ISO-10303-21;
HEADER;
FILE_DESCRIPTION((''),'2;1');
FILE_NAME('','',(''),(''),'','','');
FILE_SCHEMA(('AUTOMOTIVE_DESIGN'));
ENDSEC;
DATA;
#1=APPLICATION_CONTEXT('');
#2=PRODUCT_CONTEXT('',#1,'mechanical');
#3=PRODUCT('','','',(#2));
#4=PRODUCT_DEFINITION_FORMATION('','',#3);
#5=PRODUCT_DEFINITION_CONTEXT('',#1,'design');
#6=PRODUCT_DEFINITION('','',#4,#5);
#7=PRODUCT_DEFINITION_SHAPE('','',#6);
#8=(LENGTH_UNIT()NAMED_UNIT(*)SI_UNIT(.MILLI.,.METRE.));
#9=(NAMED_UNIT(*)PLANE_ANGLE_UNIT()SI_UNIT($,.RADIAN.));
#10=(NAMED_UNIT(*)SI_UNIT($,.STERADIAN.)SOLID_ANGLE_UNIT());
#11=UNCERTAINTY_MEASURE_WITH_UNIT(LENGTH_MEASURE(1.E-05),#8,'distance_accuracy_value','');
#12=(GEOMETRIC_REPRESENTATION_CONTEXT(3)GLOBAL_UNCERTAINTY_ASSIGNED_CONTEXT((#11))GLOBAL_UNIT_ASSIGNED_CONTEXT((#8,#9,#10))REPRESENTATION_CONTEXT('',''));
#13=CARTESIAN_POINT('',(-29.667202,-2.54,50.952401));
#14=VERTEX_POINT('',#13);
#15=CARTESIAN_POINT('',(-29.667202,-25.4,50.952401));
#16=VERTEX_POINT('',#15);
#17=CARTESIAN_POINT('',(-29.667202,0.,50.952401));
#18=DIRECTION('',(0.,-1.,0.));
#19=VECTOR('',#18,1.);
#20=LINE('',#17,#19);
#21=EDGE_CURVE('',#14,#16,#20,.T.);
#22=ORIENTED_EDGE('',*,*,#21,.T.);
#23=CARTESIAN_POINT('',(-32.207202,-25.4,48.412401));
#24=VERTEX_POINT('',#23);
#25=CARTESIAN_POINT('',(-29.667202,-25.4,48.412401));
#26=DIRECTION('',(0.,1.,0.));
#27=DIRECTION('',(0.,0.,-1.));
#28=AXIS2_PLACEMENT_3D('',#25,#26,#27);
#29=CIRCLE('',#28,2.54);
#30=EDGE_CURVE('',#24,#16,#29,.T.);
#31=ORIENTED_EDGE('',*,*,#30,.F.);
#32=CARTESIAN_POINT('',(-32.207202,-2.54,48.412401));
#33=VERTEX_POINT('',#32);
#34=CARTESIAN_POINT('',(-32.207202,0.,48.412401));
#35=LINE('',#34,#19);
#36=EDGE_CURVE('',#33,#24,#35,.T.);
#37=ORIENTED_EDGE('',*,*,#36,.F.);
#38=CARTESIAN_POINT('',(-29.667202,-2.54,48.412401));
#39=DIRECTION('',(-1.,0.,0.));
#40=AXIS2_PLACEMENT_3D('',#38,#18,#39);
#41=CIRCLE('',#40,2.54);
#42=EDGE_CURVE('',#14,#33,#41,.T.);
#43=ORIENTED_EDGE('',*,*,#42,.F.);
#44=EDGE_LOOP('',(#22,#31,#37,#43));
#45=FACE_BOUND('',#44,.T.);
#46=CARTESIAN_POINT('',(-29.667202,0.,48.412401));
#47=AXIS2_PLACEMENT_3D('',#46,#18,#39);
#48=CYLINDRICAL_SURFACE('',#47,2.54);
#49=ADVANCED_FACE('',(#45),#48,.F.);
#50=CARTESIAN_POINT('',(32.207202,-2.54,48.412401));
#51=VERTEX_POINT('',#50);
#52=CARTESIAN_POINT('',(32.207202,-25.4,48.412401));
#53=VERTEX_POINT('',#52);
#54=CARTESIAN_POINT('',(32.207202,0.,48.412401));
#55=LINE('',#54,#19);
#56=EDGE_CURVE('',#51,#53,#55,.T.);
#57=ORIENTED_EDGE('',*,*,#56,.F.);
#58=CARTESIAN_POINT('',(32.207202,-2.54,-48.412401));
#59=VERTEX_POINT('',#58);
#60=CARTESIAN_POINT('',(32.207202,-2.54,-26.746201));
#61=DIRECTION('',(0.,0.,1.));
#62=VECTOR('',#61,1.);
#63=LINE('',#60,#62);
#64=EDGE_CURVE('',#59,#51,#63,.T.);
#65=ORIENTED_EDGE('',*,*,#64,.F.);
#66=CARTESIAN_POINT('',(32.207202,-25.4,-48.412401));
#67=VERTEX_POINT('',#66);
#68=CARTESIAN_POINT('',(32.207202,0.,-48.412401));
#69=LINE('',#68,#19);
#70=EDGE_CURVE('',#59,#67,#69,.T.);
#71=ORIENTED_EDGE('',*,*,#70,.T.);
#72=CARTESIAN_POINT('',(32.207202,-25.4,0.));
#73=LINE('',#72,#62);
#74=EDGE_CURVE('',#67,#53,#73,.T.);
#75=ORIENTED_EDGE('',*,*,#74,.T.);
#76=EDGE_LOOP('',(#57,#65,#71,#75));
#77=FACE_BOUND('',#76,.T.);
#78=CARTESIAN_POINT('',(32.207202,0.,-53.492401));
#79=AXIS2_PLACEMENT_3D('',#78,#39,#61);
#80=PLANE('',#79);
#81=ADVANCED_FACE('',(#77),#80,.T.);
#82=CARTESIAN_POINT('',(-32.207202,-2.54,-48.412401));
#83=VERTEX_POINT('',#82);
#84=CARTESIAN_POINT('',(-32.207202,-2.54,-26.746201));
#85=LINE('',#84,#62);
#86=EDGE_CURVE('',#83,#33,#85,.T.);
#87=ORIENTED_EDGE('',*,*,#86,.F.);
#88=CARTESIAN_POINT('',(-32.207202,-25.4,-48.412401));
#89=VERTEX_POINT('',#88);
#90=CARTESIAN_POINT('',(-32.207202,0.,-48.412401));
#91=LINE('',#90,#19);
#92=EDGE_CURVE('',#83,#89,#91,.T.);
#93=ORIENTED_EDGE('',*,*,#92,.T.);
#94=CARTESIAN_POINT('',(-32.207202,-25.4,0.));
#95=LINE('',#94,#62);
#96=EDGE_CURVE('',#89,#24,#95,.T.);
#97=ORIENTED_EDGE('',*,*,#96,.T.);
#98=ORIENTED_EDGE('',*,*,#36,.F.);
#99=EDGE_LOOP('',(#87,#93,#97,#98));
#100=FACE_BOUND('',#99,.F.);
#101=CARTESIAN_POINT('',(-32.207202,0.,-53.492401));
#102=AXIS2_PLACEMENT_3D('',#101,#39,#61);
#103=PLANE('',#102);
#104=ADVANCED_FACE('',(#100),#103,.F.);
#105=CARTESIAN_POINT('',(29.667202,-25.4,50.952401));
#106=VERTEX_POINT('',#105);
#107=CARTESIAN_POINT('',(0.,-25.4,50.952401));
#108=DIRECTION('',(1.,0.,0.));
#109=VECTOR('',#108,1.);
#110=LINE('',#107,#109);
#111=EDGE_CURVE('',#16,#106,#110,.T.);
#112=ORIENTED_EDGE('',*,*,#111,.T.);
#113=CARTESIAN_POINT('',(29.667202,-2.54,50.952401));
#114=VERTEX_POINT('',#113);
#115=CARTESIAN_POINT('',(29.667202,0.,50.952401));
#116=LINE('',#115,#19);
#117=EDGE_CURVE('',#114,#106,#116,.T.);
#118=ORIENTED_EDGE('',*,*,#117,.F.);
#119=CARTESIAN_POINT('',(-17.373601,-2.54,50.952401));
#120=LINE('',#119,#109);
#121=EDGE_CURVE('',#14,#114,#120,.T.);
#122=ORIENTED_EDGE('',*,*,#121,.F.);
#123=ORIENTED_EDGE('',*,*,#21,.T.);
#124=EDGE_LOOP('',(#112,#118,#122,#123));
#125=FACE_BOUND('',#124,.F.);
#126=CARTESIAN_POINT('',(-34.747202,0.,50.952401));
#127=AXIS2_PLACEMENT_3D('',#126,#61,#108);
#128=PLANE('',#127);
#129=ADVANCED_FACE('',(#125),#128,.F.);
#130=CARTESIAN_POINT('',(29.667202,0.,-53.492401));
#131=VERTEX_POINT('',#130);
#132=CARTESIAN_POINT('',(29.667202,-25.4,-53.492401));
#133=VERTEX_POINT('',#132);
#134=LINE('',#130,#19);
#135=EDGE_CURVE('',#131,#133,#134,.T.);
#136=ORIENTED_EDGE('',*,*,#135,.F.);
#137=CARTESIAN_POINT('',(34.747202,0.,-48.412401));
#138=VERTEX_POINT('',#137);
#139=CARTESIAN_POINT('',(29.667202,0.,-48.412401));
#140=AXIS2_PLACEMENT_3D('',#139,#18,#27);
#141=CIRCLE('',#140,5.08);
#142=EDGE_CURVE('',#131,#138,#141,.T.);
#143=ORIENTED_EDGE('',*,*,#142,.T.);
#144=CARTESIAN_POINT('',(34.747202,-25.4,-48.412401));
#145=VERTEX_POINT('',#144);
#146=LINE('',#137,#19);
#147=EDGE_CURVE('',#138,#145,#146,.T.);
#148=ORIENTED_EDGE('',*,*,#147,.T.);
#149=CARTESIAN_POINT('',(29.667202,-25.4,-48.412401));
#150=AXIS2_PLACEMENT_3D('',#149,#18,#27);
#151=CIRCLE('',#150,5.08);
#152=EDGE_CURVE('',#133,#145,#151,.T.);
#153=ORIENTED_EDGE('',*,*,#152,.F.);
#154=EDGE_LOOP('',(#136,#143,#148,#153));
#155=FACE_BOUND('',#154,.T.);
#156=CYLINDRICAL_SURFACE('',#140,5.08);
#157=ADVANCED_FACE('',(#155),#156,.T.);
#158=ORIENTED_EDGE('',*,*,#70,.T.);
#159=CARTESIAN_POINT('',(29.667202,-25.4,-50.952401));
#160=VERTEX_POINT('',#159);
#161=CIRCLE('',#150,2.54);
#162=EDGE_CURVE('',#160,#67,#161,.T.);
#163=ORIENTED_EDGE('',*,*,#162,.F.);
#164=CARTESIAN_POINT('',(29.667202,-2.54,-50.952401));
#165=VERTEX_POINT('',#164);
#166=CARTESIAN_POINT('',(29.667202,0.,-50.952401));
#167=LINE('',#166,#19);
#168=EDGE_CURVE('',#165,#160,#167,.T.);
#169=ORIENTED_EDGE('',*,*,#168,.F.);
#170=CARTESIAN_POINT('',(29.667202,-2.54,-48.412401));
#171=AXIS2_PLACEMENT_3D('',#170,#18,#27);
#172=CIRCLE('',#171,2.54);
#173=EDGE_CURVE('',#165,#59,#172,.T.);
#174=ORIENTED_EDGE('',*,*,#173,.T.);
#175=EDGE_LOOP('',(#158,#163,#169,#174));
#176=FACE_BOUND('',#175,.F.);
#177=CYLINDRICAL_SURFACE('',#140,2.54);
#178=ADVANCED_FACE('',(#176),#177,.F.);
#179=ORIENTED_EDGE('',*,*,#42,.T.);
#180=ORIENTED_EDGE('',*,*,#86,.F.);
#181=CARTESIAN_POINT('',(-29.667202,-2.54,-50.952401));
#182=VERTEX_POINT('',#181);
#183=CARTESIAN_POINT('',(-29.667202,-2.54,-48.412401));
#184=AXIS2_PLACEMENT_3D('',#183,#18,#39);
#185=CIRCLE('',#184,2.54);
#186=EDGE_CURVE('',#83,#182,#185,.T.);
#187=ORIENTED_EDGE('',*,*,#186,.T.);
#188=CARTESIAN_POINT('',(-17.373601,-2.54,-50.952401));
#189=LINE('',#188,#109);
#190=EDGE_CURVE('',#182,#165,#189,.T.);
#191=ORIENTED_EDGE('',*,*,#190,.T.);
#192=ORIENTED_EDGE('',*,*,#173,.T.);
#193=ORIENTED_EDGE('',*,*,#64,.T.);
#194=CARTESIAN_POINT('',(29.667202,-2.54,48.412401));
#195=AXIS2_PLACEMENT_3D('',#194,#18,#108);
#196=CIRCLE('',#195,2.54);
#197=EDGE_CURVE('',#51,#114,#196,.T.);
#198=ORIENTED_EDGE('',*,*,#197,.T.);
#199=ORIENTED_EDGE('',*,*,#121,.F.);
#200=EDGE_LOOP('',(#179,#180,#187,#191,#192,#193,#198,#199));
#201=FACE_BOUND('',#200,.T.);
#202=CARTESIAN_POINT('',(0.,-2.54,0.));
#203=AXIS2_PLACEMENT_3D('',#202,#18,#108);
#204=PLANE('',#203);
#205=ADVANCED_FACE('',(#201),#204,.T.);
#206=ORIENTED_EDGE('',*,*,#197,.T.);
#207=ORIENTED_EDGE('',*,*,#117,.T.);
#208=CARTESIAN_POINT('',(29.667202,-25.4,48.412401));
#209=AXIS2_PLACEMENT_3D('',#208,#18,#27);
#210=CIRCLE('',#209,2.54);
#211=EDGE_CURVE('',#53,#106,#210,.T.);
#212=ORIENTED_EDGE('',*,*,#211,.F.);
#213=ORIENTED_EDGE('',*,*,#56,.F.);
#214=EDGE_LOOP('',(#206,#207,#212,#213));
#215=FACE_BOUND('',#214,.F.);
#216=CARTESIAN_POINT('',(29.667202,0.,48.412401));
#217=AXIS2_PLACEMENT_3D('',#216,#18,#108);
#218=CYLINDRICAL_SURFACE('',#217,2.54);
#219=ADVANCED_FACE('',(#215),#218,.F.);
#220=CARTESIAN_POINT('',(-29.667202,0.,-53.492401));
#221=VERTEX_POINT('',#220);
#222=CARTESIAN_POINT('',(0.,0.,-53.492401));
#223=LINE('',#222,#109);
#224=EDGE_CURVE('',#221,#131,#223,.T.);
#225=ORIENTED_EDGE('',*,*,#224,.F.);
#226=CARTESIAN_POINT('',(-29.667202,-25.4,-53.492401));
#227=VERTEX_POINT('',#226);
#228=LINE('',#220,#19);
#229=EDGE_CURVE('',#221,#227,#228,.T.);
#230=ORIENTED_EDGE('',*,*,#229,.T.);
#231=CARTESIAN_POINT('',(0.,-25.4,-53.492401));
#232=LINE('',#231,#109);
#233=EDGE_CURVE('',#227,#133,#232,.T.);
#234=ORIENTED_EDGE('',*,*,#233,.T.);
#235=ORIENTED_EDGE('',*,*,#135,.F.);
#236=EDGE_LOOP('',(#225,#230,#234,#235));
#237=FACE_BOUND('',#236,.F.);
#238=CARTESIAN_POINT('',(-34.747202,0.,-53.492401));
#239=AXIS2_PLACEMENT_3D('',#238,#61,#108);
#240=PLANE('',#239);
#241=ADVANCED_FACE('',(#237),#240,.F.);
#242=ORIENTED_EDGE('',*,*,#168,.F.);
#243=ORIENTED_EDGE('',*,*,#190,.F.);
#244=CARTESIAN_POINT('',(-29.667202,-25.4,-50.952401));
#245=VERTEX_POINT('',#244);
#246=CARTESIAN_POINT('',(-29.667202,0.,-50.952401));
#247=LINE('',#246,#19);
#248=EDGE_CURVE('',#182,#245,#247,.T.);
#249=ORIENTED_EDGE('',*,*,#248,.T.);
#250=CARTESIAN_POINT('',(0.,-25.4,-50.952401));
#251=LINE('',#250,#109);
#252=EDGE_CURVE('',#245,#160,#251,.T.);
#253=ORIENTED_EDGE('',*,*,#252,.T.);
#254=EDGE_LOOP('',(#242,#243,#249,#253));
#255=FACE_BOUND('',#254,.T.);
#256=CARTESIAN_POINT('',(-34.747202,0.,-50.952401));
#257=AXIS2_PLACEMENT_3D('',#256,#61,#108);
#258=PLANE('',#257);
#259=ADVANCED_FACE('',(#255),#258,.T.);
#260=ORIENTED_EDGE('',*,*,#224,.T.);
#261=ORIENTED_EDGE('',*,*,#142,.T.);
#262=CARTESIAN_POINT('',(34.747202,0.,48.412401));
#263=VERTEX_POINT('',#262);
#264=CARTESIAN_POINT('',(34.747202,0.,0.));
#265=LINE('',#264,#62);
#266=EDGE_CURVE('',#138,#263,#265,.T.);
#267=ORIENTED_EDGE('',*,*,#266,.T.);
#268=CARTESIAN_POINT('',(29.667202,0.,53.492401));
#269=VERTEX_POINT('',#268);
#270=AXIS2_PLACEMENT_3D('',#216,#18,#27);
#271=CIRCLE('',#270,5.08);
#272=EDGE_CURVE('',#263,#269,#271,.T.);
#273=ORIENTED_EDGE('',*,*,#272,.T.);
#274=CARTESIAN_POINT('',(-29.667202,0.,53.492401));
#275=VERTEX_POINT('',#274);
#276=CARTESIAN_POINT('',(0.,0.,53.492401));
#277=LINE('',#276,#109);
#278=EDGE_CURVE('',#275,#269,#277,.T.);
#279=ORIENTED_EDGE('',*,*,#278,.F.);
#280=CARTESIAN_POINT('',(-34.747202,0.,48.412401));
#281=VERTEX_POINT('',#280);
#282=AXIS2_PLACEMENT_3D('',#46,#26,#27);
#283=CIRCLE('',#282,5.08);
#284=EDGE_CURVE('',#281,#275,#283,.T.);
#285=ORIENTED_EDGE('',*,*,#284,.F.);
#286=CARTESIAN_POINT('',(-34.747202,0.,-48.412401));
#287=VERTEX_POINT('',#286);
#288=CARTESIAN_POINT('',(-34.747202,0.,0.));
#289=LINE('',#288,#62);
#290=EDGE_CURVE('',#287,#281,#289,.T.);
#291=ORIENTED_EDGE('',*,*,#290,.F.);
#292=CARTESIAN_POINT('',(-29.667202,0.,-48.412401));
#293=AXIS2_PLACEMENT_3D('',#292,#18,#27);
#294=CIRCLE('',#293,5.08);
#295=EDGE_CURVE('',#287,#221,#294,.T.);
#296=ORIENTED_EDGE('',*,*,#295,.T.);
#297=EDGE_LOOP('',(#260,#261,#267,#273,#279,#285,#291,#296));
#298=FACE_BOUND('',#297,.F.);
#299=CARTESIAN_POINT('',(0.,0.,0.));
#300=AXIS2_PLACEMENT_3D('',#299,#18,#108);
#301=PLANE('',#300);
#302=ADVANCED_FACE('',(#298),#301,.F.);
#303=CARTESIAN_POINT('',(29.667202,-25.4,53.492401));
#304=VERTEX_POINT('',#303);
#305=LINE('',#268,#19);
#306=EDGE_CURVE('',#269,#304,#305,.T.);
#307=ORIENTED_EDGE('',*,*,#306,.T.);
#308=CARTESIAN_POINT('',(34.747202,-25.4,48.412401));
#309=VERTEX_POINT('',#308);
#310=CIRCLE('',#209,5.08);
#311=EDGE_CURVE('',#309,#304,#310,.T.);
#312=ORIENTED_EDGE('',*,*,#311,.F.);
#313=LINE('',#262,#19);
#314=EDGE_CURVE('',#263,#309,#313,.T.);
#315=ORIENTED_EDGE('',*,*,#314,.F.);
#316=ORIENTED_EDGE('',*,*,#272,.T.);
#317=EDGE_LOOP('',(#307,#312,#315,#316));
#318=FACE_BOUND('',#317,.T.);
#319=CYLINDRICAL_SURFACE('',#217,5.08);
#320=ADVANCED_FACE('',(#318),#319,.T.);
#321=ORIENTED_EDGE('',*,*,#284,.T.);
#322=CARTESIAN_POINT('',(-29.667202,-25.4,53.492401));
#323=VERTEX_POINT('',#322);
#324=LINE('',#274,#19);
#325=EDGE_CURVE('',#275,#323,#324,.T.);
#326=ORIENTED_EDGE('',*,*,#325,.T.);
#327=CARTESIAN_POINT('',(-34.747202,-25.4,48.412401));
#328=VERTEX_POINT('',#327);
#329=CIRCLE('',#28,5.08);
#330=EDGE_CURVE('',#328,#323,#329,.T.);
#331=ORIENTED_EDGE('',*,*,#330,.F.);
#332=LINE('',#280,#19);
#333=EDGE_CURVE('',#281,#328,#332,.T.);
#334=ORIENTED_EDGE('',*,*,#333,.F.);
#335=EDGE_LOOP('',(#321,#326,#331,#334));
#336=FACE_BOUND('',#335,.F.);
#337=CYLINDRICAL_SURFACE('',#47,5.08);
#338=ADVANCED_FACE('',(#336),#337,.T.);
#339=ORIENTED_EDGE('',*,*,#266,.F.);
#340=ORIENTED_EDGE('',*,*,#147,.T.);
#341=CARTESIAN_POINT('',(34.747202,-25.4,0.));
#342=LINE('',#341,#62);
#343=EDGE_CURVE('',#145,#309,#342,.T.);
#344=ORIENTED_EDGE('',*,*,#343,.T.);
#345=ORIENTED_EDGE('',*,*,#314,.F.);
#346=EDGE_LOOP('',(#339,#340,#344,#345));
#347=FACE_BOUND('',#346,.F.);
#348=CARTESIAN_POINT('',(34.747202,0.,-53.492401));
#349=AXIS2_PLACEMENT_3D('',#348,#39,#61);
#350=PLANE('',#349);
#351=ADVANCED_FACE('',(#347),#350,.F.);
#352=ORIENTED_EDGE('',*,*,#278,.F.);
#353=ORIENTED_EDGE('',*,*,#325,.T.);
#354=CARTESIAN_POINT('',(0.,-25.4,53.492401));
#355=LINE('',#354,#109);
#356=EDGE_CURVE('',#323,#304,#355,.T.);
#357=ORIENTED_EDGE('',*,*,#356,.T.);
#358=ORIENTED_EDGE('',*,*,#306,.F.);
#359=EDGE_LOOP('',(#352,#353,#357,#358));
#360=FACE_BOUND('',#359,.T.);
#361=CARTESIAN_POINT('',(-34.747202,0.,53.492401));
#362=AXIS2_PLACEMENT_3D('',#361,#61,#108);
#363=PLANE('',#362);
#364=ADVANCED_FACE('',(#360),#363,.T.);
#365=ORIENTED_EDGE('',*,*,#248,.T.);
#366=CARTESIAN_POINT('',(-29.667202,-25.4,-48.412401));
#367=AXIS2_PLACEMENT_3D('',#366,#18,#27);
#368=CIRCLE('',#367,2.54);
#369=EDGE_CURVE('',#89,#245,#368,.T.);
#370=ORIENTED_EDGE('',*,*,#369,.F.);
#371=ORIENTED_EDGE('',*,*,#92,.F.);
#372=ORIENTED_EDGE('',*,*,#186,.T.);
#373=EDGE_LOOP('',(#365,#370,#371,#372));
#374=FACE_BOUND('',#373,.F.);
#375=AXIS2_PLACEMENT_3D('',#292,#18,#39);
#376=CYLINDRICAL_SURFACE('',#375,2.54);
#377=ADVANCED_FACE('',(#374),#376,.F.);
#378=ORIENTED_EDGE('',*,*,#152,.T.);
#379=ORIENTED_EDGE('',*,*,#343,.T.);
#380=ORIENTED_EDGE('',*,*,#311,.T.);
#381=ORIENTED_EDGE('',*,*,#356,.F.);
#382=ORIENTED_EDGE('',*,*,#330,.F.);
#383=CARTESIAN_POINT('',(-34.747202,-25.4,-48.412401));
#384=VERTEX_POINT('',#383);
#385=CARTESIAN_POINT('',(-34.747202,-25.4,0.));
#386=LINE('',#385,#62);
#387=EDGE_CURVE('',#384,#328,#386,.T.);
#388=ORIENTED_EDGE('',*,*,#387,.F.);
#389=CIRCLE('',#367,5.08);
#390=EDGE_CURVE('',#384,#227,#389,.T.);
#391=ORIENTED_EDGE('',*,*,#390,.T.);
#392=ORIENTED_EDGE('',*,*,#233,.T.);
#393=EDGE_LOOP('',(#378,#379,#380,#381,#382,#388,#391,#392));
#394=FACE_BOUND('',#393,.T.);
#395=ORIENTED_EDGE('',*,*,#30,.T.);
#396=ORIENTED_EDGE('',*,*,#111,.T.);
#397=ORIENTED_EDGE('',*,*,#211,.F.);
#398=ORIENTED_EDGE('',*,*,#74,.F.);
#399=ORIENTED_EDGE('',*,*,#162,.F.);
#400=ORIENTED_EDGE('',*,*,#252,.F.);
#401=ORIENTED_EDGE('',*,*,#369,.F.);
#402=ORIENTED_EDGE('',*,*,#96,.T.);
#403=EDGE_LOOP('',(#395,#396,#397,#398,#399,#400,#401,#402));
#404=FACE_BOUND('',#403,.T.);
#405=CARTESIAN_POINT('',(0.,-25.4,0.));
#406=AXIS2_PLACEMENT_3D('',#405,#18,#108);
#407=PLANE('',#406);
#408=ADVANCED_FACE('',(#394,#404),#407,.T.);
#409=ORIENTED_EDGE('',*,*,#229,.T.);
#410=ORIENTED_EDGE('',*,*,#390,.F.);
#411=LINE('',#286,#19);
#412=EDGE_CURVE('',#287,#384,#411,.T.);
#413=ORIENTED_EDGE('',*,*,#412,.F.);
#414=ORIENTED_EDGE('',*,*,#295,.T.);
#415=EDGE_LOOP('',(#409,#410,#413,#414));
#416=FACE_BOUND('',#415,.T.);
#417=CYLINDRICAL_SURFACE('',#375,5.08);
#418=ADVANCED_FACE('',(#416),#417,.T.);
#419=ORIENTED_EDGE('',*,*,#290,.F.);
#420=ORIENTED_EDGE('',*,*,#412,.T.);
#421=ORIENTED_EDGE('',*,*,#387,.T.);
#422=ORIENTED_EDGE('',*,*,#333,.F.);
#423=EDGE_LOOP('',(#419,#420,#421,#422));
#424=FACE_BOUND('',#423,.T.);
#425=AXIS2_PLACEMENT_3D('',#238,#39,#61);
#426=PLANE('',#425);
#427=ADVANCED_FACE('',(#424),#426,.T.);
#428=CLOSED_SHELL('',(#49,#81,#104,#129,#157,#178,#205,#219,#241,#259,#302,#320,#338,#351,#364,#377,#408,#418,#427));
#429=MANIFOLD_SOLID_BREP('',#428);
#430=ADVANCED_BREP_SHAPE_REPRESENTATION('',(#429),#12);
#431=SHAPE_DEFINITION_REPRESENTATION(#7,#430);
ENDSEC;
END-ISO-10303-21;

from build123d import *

# Parameters (mm, degrees)
F0_W     = 69.494404
F0_H     = 106.984802
F1_DEPTH = 25.4
F2_R     = 5.08
F3_T     = -2.54


with BuildPart() as f1:
    # F0 (on Front) → F1 (new body)
    with BuildSketch(Plane.XZ):
        Rectangle(F0_W, F0_H)
    extrude(amount=F1_DEPTH)

    # F2
    f2_edges = [f1.edges().sort_by_distance(p)[0] for p in [
        (-34.747202, -12.7, 53.492401),
        (-34.747202, -12.7, -53.492401),
        (34.747202, -12.7, 53.492401),
        (34.747202, -12.7, -53.492401),
    ]]
    fillet(f2_edges, radius=F2_R)

    # F3
    f3_openings = [f1.faces().sort_by_distance(p)[0] for p in [
        (0, -25.4, 0),
    ]]
    offset(amount=F3_T, openings=f3_openings)


solid = f1.part
